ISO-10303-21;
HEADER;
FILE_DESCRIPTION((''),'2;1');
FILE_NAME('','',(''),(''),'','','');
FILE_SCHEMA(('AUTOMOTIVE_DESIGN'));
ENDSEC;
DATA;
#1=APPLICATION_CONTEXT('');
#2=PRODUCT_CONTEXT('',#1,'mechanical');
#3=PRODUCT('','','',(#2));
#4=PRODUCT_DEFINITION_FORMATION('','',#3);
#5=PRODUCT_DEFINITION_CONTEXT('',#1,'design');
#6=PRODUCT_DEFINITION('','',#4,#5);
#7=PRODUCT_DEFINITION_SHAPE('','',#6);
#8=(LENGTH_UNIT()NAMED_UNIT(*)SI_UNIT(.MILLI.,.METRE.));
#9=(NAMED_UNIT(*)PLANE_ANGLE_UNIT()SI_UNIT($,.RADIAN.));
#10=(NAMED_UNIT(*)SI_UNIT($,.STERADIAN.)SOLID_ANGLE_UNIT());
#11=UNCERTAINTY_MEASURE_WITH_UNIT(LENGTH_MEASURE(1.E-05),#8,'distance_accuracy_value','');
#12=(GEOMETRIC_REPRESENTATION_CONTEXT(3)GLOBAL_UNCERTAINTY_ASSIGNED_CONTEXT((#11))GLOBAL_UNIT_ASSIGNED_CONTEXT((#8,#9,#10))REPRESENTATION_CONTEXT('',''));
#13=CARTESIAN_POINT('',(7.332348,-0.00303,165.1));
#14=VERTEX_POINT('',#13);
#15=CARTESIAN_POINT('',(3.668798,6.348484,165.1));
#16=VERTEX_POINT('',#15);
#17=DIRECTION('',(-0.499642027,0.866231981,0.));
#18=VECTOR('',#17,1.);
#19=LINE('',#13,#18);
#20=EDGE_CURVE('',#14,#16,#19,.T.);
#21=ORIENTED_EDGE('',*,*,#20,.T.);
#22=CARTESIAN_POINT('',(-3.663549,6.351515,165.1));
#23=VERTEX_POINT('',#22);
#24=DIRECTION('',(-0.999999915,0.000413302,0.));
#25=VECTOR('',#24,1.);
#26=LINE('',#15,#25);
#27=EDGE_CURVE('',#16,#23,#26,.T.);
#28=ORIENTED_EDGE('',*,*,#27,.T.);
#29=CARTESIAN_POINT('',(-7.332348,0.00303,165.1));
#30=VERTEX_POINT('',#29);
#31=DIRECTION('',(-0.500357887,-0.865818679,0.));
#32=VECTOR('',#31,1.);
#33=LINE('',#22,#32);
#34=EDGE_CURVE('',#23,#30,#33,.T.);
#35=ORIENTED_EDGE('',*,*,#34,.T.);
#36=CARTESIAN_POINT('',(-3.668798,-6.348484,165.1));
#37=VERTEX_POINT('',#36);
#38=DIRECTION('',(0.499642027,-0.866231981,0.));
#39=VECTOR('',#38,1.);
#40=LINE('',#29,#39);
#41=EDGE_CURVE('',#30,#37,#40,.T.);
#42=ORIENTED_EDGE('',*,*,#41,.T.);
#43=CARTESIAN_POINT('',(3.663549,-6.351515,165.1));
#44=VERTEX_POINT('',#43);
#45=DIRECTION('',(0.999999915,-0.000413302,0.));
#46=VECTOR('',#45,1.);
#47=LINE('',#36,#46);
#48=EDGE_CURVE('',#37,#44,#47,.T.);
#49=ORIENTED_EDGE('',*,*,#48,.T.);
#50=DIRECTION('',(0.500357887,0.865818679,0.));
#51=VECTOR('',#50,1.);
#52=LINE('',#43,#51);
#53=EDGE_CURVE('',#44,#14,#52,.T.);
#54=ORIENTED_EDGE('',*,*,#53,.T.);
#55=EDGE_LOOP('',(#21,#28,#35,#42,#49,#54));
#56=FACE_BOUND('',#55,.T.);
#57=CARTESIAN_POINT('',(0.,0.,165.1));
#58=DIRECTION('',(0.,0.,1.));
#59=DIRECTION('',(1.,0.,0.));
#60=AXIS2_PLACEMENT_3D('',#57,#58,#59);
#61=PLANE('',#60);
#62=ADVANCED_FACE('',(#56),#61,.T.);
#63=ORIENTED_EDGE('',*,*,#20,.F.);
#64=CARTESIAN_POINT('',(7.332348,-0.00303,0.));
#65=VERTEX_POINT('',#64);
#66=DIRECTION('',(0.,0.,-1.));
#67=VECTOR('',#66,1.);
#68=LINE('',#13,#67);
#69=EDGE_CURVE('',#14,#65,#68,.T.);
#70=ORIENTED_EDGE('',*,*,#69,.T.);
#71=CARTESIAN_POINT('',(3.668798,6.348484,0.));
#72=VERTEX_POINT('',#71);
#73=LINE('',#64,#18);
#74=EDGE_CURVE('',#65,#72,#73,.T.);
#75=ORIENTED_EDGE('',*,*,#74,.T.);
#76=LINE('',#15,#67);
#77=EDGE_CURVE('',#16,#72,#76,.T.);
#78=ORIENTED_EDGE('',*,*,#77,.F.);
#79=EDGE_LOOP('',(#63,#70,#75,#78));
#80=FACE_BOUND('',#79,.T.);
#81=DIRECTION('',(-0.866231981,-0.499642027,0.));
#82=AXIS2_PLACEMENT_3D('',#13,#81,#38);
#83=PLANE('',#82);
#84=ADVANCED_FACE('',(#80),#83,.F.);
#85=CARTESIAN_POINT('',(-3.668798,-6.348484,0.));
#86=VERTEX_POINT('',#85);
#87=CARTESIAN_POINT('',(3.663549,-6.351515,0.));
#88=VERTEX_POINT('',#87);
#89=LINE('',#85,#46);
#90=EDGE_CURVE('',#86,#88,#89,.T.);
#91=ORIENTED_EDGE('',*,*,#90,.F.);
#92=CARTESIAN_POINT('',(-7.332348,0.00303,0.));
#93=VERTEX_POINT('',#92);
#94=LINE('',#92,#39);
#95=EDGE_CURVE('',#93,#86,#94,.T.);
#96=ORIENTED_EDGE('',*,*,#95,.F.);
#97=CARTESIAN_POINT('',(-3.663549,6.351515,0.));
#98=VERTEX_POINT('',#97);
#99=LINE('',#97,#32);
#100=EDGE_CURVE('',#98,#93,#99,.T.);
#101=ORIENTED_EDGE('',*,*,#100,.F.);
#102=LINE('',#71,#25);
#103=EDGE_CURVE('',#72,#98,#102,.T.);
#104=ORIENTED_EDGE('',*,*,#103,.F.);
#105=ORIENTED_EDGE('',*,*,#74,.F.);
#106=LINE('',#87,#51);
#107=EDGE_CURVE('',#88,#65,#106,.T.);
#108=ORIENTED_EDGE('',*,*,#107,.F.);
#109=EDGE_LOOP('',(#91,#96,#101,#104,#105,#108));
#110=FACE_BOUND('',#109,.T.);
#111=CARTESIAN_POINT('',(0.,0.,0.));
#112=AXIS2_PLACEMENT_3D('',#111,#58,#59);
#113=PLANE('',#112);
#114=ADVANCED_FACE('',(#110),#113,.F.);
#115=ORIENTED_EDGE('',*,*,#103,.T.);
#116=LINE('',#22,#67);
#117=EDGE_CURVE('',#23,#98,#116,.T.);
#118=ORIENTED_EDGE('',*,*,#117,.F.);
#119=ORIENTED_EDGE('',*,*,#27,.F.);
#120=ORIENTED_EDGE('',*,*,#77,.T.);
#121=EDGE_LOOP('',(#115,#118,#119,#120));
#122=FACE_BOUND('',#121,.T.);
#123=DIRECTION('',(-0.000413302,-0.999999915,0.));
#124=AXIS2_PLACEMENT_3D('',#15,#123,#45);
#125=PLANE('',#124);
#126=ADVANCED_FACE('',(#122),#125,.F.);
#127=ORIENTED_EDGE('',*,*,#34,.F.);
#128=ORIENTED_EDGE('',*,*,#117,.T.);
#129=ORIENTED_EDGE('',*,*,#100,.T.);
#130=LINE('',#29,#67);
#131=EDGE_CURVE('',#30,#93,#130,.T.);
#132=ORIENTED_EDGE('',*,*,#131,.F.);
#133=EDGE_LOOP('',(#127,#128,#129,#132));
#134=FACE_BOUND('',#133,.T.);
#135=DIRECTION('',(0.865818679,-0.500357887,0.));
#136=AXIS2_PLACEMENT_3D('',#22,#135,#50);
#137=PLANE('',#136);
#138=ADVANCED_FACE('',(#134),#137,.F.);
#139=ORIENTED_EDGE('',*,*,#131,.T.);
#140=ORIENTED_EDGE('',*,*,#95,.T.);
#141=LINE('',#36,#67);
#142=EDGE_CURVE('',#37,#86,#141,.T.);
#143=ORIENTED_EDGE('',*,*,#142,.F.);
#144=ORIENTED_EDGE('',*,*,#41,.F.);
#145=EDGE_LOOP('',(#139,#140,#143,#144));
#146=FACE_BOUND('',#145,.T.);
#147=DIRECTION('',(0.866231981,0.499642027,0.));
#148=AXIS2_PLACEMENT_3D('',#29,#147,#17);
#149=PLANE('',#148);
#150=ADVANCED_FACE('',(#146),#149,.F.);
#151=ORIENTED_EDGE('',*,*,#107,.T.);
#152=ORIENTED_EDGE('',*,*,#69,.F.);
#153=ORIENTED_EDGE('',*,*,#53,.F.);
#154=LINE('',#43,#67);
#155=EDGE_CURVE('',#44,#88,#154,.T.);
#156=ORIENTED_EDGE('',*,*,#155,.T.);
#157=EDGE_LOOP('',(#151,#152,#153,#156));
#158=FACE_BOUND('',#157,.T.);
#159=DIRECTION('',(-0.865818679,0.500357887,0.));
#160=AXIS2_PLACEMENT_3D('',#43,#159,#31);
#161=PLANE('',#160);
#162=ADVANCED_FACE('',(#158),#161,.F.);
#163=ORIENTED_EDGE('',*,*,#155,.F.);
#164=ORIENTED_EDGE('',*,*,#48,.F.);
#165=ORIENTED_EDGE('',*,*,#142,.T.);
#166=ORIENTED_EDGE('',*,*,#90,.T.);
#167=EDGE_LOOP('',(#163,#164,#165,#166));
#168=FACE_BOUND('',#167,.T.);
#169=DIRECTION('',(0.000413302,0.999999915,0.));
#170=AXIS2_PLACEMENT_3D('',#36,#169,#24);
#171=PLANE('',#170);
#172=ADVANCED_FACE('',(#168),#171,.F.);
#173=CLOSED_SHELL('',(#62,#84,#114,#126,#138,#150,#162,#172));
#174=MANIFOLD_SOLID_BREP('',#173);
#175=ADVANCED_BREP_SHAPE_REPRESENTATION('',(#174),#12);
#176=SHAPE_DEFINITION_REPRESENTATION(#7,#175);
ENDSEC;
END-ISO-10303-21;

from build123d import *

# Parameters (mm, degrees)
BOSS_EXTRUDE1_DEPTH = 165.1


with BuildPart() as part:
    # Sketch1 → Boss-Extrude1 (new body)
    with BuildSketch(Plane.XY):
        Polygon((3.663549428, -6.351514695), (7.332347792, -0.003030475), (3.668798364, 6.34848422), (-3.663549428, 6.351514695), (-7.332347792, 0.003030475), (-3.668798364, -6.34848422), align=None)
    extrude(amount=BOSS_EXTRUDE1_DEPTH)


solid = part.part
